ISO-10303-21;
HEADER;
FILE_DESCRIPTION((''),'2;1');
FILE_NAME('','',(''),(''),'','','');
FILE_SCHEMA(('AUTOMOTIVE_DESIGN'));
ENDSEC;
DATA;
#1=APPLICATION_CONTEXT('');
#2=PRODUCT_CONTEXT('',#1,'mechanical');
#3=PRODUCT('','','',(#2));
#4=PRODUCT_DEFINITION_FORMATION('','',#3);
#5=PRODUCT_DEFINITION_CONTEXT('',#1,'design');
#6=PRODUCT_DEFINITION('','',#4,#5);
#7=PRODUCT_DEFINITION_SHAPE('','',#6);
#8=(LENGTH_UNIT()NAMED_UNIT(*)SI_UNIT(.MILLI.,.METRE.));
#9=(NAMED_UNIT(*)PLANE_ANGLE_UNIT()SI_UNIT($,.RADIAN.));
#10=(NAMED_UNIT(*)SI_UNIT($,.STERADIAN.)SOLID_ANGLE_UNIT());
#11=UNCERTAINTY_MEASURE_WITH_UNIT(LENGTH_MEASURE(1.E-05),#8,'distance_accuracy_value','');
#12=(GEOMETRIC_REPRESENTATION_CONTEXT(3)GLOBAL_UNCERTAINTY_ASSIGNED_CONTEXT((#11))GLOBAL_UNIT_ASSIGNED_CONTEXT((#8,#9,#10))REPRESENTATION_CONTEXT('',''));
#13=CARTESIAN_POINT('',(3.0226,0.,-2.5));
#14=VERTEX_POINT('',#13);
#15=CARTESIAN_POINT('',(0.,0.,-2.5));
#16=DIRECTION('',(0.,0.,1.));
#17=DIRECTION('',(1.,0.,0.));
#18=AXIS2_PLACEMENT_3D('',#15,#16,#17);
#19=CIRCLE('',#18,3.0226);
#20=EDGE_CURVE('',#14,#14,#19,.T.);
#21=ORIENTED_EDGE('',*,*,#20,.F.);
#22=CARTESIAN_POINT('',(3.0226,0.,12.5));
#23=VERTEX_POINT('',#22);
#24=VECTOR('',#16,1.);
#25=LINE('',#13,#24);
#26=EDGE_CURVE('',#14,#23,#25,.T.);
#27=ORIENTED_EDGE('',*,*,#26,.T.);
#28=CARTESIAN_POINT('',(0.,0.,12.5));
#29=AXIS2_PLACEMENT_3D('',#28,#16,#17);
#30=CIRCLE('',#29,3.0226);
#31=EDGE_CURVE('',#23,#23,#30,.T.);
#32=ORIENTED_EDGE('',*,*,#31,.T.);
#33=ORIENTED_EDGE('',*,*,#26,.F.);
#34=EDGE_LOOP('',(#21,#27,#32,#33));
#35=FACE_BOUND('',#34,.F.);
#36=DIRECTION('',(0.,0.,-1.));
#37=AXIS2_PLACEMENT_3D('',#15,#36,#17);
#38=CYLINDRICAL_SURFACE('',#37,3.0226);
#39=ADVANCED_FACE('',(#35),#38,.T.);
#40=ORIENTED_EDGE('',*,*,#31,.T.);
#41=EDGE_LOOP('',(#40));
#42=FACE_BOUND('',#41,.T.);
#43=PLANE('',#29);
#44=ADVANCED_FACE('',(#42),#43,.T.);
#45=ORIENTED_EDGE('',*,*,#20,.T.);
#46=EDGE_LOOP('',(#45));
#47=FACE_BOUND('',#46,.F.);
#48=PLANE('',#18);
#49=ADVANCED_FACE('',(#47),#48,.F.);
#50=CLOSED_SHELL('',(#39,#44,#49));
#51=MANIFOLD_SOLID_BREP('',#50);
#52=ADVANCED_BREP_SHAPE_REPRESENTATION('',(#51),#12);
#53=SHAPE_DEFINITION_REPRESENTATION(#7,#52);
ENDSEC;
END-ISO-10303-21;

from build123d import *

# Parameters (mm, degrees)
CYLINDER_R     = 3.0226
CYLINDER_DEPTH = 15


with BuildPart() as part:
    # Cylinder → Cylinder (new body)
    with BuildSketch(Plane.XY.offset(-2.5)):
        Circle(CYLINDER_R)
    extrude(amount=CYLINDER_DEPTH)


solid = part.part
